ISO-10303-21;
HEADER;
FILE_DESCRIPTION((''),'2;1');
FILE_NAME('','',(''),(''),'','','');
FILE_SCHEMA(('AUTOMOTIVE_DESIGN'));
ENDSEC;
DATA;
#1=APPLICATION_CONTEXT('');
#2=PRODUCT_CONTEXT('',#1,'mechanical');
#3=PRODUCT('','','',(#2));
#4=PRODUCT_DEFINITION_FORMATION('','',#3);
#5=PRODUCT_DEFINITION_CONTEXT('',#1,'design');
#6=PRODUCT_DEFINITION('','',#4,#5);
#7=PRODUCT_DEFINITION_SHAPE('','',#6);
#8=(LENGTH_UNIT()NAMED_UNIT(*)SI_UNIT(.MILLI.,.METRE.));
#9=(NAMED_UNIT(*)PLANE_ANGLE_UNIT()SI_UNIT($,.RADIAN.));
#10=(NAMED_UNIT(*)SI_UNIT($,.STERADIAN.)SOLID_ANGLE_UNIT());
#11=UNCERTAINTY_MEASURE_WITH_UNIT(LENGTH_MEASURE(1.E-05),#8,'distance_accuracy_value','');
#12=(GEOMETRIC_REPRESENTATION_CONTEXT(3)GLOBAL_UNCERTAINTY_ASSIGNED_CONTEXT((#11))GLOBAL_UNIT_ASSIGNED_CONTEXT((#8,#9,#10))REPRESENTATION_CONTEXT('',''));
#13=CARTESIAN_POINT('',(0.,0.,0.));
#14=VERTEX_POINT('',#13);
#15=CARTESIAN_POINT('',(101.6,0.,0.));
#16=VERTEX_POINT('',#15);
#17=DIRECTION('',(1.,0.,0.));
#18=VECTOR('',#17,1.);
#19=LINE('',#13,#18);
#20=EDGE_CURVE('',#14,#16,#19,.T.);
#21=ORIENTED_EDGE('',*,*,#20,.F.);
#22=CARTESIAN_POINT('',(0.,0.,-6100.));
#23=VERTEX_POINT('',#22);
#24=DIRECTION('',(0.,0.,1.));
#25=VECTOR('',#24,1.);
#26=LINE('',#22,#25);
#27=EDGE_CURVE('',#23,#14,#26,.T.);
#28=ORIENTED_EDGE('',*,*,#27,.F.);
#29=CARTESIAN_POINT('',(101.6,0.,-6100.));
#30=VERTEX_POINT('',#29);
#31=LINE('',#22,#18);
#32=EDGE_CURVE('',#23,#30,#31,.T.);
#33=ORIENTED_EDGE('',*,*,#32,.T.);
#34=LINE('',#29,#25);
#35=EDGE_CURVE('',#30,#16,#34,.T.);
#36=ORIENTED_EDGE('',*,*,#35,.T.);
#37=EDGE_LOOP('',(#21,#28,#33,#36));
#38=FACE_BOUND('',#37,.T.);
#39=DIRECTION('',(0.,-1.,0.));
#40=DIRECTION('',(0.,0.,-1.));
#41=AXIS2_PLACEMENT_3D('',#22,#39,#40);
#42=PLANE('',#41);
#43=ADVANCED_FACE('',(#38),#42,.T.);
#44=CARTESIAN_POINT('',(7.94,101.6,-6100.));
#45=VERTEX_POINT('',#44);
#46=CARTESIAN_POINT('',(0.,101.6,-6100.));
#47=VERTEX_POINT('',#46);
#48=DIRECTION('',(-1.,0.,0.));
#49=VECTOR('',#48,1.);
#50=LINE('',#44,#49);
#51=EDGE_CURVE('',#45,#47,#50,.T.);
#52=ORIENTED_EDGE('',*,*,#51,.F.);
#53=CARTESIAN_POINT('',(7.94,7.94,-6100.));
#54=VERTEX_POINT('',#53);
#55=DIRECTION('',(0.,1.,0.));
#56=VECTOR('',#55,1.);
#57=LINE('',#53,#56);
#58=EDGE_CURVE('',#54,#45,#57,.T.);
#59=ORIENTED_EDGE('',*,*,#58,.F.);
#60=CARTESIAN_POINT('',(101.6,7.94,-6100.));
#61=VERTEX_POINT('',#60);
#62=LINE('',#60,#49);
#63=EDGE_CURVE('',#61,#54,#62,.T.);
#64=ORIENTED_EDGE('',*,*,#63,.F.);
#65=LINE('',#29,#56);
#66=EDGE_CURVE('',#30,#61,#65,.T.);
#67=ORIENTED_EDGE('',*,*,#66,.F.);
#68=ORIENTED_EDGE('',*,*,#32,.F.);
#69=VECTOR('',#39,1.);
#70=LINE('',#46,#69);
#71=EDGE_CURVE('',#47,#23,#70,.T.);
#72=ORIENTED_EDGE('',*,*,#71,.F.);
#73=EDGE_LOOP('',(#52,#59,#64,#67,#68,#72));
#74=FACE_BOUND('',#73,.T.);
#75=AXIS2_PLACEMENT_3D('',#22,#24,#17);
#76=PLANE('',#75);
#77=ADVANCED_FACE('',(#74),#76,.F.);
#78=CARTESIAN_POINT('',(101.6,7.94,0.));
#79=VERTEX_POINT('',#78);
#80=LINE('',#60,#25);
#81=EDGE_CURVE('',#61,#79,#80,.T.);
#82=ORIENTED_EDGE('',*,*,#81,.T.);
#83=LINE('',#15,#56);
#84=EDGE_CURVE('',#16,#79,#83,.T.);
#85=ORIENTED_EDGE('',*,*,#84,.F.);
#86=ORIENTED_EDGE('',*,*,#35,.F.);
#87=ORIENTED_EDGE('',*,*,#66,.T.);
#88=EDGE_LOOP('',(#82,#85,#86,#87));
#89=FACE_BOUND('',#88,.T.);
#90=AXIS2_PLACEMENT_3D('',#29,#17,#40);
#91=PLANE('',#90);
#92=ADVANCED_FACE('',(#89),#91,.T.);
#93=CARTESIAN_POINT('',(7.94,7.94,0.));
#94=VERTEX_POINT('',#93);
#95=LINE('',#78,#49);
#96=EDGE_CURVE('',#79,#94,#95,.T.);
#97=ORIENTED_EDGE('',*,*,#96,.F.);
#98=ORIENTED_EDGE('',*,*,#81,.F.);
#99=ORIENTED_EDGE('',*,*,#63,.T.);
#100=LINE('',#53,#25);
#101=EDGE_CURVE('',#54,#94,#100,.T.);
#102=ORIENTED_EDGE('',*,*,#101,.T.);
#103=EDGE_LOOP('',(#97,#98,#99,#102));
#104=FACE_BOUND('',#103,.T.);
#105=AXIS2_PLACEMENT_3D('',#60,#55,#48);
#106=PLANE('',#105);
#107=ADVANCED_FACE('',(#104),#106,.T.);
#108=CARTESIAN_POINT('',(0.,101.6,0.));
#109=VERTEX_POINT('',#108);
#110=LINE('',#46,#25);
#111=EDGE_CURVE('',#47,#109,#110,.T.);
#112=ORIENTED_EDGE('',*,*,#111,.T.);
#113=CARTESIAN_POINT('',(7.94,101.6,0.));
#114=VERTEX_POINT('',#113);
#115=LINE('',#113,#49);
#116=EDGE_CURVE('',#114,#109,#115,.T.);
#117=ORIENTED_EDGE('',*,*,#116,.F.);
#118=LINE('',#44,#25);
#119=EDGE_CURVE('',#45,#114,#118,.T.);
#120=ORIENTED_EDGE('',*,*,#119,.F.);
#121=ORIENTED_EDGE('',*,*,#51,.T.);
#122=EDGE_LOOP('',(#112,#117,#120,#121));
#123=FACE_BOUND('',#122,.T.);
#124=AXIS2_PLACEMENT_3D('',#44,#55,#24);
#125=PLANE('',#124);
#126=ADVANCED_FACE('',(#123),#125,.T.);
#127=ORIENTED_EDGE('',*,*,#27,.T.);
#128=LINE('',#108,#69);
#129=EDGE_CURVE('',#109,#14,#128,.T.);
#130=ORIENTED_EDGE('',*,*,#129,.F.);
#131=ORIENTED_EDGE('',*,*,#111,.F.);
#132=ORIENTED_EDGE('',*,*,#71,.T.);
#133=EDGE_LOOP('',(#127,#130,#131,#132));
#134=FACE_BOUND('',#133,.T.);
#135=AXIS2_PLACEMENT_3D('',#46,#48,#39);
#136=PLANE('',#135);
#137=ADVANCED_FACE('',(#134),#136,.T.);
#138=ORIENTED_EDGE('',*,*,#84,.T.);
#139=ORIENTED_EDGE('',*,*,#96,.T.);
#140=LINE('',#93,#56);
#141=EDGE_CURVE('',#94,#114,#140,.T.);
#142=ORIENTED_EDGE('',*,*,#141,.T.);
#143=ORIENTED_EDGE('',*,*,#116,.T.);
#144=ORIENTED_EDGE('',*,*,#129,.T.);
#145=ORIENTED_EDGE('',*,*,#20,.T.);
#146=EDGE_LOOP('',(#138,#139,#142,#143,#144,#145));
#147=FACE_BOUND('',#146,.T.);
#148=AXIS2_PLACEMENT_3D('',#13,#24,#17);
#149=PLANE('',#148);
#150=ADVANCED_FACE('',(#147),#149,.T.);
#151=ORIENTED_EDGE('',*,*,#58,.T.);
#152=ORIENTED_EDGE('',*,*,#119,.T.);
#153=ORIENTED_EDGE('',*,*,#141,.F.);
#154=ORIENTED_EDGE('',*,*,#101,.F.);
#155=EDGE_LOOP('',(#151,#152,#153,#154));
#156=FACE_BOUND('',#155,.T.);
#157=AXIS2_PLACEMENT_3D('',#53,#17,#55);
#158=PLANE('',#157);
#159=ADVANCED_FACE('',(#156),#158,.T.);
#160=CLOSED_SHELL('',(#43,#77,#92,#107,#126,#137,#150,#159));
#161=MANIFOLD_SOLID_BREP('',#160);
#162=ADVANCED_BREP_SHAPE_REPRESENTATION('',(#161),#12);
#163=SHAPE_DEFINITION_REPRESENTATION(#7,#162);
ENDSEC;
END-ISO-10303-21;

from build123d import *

# Parameters (mm, degrees)
SALIENTE_EXTRUIR1_DEPTH = 6100


with BuildPart() as part:
    # Croquis1 → Saliente-Extruir1 (new body)
    with BuildSketch(Plane.XY):
        Polygon((0, 101.6), (0, 0), (101.6, 0), (101.6, 7.94), (7.94, 7.94), (7.94, 101.6), align=None)
    extrude(amount=-SALIENTE_EXTRUIR1_DEPTH)


solid = part.part
